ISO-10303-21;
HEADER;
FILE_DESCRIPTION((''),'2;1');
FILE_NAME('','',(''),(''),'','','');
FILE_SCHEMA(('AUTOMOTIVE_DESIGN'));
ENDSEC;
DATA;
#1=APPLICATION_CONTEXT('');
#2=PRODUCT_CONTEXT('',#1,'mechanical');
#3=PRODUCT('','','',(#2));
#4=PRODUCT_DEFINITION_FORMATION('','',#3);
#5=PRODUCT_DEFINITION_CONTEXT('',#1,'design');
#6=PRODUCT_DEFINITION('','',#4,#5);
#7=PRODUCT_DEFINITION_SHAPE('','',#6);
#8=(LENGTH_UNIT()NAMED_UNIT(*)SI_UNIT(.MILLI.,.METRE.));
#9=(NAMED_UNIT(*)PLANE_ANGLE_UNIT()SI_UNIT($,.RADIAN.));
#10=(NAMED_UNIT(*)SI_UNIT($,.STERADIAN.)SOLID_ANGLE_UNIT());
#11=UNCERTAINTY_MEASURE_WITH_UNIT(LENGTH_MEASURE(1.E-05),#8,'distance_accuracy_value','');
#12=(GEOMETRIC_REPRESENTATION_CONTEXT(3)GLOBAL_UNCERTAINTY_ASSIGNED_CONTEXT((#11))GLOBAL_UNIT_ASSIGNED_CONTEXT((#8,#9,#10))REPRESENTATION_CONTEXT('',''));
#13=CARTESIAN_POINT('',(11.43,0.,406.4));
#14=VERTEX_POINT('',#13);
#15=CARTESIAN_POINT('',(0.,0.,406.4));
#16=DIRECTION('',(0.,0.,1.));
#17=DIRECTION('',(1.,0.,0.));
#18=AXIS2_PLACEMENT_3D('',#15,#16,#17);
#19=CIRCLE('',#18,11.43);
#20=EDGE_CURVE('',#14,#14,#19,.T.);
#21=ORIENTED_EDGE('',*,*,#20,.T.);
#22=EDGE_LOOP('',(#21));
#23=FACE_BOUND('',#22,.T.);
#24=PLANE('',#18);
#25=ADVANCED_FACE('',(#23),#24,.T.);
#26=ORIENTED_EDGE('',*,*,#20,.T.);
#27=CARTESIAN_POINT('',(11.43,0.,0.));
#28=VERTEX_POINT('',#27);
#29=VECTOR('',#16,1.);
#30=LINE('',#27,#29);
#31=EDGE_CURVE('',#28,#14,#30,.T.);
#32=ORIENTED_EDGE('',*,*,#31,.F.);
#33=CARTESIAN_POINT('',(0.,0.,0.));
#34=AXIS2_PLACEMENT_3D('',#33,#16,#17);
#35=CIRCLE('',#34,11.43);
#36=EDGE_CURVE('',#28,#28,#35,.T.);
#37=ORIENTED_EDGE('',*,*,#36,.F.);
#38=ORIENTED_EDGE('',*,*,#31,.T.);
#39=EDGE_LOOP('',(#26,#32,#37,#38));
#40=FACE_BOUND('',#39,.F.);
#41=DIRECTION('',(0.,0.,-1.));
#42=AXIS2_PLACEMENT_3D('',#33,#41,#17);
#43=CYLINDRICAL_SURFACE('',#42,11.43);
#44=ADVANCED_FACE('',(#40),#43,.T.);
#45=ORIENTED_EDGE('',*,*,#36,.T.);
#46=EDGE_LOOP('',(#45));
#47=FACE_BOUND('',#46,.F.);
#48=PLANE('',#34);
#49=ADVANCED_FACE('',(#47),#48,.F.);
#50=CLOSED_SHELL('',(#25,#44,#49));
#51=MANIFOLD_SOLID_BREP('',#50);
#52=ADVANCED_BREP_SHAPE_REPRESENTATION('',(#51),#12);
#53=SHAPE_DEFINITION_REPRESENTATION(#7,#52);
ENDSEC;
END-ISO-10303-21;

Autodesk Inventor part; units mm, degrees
ref_plane "YZ Plane" through (0, 0, 0) normal (1, 0, 0) x (0, 1, 0)
ref_plane "XZ Plane" through (0, 0, 0) normal (0, 1, 0) x (-1, 0, 0)
ref_plane "XY Plane" through (0, 0, 0) normal (0, 0, 1) x (1, 0, 0)
sketch "Sketch1" plane through (0, 0, 0) normal (0, 0, 1) x (1, 0, 0)
  circle A0 centre (0, 0) radius 11.43
  dimension "d0" = 22.86
extrude "Extrusion1" add sketch "Sketch1" along normal blind 406.4
properties part number "Kermit ElbowConnector"
